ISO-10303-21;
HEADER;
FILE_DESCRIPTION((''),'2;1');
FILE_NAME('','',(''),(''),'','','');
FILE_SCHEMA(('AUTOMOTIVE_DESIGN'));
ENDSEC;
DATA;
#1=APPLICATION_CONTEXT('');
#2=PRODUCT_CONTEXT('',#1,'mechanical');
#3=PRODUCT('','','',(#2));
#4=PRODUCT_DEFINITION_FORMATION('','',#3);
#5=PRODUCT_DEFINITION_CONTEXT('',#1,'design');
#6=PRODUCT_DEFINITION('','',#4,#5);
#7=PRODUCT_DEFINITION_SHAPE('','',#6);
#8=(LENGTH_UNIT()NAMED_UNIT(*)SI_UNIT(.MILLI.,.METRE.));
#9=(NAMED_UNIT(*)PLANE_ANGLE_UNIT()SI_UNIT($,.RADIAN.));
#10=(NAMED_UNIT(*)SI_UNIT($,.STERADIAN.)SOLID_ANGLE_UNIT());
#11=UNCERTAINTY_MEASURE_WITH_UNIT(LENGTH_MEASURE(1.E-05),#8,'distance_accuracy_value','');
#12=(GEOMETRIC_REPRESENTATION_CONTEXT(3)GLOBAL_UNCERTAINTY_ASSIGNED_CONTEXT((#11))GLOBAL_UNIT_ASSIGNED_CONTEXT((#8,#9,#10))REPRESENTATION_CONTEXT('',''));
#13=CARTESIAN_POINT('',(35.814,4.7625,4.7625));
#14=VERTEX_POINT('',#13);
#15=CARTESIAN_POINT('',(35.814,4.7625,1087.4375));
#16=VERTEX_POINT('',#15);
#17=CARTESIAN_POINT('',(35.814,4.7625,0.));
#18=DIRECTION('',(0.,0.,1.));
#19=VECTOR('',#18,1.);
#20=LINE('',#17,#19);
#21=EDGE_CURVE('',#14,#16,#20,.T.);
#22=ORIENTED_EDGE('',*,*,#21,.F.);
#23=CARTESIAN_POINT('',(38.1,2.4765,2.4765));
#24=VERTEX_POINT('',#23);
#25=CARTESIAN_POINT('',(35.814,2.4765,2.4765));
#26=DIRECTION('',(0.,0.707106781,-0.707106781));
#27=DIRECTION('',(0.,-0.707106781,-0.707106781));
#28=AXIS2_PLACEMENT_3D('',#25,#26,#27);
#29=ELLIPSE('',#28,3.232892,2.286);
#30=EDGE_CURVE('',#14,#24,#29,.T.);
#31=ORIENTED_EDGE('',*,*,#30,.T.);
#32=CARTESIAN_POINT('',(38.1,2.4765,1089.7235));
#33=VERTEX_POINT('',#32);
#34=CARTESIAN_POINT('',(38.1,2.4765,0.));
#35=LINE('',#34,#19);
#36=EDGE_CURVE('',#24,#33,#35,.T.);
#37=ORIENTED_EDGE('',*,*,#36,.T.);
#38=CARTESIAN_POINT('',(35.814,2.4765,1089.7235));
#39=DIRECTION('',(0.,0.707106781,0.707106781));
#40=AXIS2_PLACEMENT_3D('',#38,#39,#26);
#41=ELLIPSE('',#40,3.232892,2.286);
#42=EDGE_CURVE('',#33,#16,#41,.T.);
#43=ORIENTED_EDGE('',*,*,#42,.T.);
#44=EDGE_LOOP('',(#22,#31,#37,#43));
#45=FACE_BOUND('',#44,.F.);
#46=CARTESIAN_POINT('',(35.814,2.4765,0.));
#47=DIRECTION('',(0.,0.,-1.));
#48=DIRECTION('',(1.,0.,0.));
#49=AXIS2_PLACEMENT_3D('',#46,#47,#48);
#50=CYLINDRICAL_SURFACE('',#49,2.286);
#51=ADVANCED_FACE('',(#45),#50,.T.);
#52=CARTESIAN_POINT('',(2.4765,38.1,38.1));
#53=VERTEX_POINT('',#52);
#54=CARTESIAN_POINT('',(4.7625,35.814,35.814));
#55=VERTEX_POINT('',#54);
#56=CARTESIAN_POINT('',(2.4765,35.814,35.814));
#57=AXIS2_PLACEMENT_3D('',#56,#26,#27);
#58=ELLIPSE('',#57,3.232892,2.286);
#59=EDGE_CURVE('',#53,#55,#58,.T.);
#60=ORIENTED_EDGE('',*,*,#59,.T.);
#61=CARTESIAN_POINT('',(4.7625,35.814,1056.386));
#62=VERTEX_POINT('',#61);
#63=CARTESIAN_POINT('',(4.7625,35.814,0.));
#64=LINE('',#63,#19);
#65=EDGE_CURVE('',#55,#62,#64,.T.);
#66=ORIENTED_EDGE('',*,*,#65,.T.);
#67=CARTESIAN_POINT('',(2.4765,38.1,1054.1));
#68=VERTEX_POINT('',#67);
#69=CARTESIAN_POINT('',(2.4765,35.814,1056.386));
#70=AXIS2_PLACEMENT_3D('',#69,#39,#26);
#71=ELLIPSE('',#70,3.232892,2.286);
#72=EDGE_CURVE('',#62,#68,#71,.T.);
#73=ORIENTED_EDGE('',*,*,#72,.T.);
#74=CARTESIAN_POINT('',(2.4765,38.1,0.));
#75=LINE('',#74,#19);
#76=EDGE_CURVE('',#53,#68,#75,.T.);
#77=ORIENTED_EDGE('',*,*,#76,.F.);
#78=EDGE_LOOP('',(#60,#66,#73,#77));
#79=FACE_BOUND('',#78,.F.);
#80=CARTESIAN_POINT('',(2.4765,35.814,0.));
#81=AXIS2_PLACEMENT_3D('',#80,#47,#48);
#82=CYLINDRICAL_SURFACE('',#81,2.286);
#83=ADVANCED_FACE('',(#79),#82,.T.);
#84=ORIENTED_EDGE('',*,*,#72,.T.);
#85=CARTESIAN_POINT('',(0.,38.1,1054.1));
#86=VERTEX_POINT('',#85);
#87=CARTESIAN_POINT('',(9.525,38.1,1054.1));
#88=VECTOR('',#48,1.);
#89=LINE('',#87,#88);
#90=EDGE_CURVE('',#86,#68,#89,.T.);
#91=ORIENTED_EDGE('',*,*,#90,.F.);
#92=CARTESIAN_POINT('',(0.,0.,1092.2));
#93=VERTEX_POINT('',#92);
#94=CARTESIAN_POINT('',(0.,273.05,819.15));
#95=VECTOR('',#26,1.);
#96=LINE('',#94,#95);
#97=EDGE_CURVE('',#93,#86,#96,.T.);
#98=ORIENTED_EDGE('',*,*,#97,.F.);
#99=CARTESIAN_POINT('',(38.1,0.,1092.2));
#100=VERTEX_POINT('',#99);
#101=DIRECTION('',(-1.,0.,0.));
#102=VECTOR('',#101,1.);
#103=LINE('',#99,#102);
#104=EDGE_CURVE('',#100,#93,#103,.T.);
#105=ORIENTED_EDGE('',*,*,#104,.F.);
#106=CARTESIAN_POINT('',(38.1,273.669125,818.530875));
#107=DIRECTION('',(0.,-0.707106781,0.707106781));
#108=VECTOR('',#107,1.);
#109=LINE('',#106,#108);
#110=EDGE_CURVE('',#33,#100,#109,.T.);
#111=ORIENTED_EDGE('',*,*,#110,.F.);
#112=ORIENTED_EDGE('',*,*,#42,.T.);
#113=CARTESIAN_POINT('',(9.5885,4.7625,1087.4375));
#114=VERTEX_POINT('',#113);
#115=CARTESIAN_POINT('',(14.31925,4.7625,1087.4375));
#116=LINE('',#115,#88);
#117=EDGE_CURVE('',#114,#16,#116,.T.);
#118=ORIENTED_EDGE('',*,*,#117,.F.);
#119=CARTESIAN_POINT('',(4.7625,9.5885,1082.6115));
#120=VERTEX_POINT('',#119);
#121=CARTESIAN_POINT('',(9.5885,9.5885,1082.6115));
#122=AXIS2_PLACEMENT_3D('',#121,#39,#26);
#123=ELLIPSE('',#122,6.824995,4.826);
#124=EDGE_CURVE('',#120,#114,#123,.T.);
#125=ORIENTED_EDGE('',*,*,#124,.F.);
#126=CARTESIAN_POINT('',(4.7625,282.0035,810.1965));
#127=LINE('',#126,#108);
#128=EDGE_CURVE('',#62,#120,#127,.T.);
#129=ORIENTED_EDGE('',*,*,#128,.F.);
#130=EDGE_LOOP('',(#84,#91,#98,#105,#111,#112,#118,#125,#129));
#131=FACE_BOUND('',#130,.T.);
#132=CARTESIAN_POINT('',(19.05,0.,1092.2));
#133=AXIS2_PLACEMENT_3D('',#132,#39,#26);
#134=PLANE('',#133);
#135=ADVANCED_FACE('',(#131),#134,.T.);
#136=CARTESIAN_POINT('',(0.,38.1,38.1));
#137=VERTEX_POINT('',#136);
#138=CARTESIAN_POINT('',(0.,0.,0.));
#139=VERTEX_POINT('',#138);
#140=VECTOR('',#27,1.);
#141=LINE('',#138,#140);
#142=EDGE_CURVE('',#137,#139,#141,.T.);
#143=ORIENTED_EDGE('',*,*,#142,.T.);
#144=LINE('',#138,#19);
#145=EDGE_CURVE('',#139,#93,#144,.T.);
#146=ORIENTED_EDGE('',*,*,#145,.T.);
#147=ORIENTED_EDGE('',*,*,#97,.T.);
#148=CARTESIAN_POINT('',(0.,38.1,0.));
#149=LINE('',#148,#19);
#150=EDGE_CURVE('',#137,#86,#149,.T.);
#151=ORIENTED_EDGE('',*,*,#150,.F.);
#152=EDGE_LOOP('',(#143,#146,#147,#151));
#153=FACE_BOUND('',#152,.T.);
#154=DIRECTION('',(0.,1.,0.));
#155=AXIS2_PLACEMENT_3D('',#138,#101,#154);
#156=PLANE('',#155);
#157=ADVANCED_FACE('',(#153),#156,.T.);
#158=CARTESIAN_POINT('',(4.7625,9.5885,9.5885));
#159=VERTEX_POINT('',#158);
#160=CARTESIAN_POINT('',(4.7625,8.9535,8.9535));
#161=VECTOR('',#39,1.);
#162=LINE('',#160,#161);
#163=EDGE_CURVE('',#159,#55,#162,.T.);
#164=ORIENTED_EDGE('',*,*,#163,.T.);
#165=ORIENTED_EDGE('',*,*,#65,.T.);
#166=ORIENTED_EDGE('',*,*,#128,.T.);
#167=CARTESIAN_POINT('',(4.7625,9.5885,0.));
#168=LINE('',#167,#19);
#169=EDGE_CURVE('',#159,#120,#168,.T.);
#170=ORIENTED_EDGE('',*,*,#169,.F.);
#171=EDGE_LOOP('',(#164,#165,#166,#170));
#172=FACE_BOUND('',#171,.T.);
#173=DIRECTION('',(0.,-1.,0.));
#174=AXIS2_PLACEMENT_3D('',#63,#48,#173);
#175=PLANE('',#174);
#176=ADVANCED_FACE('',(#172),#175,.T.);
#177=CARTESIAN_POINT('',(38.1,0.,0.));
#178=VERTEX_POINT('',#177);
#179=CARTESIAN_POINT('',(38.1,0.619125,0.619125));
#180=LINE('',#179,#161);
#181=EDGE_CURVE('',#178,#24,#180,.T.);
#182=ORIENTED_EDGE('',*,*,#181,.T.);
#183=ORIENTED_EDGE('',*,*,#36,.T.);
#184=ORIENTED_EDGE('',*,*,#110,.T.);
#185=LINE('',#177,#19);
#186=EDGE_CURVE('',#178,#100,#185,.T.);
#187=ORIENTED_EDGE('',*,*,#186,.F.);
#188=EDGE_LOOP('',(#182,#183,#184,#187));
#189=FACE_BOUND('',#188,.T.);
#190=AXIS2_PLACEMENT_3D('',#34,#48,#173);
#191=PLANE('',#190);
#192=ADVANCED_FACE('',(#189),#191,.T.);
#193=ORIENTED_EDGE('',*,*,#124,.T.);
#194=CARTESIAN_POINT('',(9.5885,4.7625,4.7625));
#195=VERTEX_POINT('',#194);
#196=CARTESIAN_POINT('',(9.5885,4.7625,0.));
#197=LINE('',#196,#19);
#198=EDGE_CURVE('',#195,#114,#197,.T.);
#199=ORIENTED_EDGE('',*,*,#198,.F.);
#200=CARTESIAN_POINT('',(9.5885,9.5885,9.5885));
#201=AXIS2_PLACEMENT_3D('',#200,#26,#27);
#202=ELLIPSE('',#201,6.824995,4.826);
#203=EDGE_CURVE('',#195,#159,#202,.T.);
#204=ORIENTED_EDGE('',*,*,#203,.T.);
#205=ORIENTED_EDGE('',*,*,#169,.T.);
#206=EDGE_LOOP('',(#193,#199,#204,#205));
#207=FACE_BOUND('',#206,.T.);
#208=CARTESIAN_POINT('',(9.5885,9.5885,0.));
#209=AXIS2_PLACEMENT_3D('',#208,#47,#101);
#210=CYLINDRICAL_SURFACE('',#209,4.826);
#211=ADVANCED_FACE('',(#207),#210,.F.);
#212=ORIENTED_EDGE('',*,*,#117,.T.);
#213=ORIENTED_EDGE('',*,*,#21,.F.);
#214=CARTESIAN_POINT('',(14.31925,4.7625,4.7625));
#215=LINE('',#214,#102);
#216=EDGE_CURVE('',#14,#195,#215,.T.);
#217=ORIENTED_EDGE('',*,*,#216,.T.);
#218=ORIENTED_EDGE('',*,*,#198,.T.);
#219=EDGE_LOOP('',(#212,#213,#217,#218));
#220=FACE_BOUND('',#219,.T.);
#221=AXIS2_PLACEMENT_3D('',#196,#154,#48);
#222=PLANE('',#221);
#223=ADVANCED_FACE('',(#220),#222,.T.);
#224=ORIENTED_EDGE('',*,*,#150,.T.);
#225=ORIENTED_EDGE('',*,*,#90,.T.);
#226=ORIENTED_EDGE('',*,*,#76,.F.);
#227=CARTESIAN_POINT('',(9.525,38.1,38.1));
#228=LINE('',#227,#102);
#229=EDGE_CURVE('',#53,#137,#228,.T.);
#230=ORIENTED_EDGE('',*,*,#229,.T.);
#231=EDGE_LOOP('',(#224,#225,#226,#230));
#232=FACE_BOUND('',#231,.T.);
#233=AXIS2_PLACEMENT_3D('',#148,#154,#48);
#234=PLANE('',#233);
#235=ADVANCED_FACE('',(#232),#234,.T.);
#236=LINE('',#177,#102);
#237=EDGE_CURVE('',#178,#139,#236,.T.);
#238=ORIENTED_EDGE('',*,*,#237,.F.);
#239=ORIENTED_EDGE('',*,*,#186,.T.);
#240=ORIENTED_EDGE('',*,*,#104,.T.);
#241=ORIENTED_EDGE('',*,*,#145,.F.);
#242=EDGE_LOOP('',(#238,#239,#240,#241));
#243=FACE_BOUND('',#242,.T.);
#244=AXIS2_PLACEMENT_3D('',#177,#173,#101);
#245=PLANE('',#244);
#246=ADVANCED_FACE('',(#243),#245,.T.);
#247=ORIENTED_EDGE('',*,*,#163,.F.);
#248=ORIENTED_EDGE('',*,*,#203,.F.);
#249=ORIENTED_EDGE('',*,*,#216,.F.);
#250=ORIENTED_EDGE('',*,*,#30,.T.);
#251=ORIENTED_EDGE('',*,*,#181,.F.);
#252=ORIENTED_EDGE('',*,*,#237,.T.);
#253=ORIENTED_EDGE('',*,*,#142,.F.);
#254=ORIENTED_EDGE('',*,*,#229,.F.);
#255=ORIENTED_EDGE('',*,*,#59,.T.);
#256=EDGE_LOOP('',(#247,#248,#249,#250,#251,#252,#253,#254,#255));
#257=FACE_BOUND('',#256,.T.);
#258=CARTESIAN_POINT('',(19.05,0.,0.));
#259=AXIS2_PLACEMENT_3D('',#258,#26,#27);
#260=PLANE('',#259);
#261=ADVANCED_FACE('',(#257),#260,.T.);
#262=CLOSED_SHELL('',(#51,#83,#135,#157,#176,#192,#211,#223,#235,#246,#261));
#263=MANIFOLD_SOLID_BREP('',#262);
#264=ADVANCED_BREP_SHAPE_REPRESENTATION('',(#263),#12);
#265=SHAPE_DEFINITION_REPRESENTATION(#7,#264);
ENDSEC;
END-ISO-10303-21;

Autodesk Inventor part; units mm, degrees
ref_plane "Start plane" through (0, 0, 0) normal (0, 0, 1) x (1, 0, 0)
ref_plane "End plane" through (0, 0, 1092.2) normal (0, 0, 1) x (1, 0, 0)
sketch "Sketch" plane through (0, 0, 0) normal (0, 0, 1) x (1, 0, 0)
  line L0 (38.1, 0) -> (0, 0)
  line L1 (0, 0) -> (0, 38.1)
  line L2 (0, 38.1) -> (2.4765, 38.1)
  line L3 (4.7625, 35.814) -> (4.7625, 9.5885)
  line L4 (9.5885, 4.7625) -> (35.814, 4.7625)
  line L5 (38.1, 2.4765) -> (38.1, 0)
  line L6 (0, -11.0414) -> (0, 31.5385) construction
  line L7 (-11.0414, 0) -> (31.5385, 0) construction
  arc A0 (4.7625, 9.5885) -> (9.5885, 4.7625) centre (9.5885, 9.5885) ccw
  arc A1 (4.7625, 35.814) -> (2.4765, 38.1) centre (2.4765, 35.814) ccw
  arc A2 (38.1, 2.4765) -> (35.814, 4.7625) centre (35.814, 2.4765) ccw
  line L8 (0, 48.4964) -> (0, -20.9644) construction
  line L9 (-20.9644, 0) -> (48.4964, 0) construction
  point P0 (4.7625, 38.1)
  point P1 (4.7625, 4.7625)
  point P2 (38.1, 4.7625)
  dimension "d0" = 38.1
  dimension "d1" = 38.1
  dimension "d2" = 4.7625
  dimension "d3" = 4.7625
  dimension "d10" = 0
  dimension "d11" = 0
  dimension "d14" = 4.826
  dimension "d15" = 2.286
extrude "Body" add sketch "Sketch" along normal up to surface (1092.2 mm away) from surface at 0
sketch "Sketch3" plane through (0, 0, 0) normal (0, 0, 1) x (1, 0, 0)
  line L0 (0, 0) -> (10, 0)
ref_plane "Work Plane3" through (0, 0, 0) normal (0, -1, 0) x (1, 0, 0)
sketch "Sketch4" plane through (0, 0, 0) normal (0, -1, 0) x (1, 0, 0)
  line L0 (-2, 0) -> (12, 0)
  line L1 (-2, 1092.2) -> (12, 1092.2)
  dimension "d17" = 1092.2
ref_plane "Work Plane4" through (19.05, 0, 0) normal (0, 0.7071, -0.7071) x (1, 0, 0)
split "Split1" plane through (19.05, 0, 0) removes the side toward (0, 0.7071, -0.7071)
ref_plane "Work Plane5" through (19.05, 0, 1092.2) normal (0, 0.7071, 0.7071) x (1, 0, 0)
split "Split2" plane through (19.05, 0, 1092.2) removes the side toward (0, 0.7071, 0.7071)
equation "\"d0\" = G_H"
equation "\"d1\" = G_H"
equation "\"d2\" = G_T"
equation "\"d3\" = G_T"
equation "\"d14\" = G_IR"
equation "\"d15\" = G_ER"
equation "\"d4\" = G_L"
equation "\"G_H\" = 38.1"
equation "\"G_T\" = 4.7625"
equation "\"G_ER\" = 2.286"
equation "\"G_IR\" = 4.826"
equation "\"G_L\" = d17"
equation "\"ex\" = 0"
equation "\"G_OFFSET_START\" = 0"
equation "\"G_OFFSET_END\" = 0"
equation "\"d13\" = G_OFFSET_END + B_L"
equation "\"B_L\" = 1092.2"
properties part number "AISC - L 1.5 x 1.5 x 3/16 - 43" material "Aluminum 6061"
